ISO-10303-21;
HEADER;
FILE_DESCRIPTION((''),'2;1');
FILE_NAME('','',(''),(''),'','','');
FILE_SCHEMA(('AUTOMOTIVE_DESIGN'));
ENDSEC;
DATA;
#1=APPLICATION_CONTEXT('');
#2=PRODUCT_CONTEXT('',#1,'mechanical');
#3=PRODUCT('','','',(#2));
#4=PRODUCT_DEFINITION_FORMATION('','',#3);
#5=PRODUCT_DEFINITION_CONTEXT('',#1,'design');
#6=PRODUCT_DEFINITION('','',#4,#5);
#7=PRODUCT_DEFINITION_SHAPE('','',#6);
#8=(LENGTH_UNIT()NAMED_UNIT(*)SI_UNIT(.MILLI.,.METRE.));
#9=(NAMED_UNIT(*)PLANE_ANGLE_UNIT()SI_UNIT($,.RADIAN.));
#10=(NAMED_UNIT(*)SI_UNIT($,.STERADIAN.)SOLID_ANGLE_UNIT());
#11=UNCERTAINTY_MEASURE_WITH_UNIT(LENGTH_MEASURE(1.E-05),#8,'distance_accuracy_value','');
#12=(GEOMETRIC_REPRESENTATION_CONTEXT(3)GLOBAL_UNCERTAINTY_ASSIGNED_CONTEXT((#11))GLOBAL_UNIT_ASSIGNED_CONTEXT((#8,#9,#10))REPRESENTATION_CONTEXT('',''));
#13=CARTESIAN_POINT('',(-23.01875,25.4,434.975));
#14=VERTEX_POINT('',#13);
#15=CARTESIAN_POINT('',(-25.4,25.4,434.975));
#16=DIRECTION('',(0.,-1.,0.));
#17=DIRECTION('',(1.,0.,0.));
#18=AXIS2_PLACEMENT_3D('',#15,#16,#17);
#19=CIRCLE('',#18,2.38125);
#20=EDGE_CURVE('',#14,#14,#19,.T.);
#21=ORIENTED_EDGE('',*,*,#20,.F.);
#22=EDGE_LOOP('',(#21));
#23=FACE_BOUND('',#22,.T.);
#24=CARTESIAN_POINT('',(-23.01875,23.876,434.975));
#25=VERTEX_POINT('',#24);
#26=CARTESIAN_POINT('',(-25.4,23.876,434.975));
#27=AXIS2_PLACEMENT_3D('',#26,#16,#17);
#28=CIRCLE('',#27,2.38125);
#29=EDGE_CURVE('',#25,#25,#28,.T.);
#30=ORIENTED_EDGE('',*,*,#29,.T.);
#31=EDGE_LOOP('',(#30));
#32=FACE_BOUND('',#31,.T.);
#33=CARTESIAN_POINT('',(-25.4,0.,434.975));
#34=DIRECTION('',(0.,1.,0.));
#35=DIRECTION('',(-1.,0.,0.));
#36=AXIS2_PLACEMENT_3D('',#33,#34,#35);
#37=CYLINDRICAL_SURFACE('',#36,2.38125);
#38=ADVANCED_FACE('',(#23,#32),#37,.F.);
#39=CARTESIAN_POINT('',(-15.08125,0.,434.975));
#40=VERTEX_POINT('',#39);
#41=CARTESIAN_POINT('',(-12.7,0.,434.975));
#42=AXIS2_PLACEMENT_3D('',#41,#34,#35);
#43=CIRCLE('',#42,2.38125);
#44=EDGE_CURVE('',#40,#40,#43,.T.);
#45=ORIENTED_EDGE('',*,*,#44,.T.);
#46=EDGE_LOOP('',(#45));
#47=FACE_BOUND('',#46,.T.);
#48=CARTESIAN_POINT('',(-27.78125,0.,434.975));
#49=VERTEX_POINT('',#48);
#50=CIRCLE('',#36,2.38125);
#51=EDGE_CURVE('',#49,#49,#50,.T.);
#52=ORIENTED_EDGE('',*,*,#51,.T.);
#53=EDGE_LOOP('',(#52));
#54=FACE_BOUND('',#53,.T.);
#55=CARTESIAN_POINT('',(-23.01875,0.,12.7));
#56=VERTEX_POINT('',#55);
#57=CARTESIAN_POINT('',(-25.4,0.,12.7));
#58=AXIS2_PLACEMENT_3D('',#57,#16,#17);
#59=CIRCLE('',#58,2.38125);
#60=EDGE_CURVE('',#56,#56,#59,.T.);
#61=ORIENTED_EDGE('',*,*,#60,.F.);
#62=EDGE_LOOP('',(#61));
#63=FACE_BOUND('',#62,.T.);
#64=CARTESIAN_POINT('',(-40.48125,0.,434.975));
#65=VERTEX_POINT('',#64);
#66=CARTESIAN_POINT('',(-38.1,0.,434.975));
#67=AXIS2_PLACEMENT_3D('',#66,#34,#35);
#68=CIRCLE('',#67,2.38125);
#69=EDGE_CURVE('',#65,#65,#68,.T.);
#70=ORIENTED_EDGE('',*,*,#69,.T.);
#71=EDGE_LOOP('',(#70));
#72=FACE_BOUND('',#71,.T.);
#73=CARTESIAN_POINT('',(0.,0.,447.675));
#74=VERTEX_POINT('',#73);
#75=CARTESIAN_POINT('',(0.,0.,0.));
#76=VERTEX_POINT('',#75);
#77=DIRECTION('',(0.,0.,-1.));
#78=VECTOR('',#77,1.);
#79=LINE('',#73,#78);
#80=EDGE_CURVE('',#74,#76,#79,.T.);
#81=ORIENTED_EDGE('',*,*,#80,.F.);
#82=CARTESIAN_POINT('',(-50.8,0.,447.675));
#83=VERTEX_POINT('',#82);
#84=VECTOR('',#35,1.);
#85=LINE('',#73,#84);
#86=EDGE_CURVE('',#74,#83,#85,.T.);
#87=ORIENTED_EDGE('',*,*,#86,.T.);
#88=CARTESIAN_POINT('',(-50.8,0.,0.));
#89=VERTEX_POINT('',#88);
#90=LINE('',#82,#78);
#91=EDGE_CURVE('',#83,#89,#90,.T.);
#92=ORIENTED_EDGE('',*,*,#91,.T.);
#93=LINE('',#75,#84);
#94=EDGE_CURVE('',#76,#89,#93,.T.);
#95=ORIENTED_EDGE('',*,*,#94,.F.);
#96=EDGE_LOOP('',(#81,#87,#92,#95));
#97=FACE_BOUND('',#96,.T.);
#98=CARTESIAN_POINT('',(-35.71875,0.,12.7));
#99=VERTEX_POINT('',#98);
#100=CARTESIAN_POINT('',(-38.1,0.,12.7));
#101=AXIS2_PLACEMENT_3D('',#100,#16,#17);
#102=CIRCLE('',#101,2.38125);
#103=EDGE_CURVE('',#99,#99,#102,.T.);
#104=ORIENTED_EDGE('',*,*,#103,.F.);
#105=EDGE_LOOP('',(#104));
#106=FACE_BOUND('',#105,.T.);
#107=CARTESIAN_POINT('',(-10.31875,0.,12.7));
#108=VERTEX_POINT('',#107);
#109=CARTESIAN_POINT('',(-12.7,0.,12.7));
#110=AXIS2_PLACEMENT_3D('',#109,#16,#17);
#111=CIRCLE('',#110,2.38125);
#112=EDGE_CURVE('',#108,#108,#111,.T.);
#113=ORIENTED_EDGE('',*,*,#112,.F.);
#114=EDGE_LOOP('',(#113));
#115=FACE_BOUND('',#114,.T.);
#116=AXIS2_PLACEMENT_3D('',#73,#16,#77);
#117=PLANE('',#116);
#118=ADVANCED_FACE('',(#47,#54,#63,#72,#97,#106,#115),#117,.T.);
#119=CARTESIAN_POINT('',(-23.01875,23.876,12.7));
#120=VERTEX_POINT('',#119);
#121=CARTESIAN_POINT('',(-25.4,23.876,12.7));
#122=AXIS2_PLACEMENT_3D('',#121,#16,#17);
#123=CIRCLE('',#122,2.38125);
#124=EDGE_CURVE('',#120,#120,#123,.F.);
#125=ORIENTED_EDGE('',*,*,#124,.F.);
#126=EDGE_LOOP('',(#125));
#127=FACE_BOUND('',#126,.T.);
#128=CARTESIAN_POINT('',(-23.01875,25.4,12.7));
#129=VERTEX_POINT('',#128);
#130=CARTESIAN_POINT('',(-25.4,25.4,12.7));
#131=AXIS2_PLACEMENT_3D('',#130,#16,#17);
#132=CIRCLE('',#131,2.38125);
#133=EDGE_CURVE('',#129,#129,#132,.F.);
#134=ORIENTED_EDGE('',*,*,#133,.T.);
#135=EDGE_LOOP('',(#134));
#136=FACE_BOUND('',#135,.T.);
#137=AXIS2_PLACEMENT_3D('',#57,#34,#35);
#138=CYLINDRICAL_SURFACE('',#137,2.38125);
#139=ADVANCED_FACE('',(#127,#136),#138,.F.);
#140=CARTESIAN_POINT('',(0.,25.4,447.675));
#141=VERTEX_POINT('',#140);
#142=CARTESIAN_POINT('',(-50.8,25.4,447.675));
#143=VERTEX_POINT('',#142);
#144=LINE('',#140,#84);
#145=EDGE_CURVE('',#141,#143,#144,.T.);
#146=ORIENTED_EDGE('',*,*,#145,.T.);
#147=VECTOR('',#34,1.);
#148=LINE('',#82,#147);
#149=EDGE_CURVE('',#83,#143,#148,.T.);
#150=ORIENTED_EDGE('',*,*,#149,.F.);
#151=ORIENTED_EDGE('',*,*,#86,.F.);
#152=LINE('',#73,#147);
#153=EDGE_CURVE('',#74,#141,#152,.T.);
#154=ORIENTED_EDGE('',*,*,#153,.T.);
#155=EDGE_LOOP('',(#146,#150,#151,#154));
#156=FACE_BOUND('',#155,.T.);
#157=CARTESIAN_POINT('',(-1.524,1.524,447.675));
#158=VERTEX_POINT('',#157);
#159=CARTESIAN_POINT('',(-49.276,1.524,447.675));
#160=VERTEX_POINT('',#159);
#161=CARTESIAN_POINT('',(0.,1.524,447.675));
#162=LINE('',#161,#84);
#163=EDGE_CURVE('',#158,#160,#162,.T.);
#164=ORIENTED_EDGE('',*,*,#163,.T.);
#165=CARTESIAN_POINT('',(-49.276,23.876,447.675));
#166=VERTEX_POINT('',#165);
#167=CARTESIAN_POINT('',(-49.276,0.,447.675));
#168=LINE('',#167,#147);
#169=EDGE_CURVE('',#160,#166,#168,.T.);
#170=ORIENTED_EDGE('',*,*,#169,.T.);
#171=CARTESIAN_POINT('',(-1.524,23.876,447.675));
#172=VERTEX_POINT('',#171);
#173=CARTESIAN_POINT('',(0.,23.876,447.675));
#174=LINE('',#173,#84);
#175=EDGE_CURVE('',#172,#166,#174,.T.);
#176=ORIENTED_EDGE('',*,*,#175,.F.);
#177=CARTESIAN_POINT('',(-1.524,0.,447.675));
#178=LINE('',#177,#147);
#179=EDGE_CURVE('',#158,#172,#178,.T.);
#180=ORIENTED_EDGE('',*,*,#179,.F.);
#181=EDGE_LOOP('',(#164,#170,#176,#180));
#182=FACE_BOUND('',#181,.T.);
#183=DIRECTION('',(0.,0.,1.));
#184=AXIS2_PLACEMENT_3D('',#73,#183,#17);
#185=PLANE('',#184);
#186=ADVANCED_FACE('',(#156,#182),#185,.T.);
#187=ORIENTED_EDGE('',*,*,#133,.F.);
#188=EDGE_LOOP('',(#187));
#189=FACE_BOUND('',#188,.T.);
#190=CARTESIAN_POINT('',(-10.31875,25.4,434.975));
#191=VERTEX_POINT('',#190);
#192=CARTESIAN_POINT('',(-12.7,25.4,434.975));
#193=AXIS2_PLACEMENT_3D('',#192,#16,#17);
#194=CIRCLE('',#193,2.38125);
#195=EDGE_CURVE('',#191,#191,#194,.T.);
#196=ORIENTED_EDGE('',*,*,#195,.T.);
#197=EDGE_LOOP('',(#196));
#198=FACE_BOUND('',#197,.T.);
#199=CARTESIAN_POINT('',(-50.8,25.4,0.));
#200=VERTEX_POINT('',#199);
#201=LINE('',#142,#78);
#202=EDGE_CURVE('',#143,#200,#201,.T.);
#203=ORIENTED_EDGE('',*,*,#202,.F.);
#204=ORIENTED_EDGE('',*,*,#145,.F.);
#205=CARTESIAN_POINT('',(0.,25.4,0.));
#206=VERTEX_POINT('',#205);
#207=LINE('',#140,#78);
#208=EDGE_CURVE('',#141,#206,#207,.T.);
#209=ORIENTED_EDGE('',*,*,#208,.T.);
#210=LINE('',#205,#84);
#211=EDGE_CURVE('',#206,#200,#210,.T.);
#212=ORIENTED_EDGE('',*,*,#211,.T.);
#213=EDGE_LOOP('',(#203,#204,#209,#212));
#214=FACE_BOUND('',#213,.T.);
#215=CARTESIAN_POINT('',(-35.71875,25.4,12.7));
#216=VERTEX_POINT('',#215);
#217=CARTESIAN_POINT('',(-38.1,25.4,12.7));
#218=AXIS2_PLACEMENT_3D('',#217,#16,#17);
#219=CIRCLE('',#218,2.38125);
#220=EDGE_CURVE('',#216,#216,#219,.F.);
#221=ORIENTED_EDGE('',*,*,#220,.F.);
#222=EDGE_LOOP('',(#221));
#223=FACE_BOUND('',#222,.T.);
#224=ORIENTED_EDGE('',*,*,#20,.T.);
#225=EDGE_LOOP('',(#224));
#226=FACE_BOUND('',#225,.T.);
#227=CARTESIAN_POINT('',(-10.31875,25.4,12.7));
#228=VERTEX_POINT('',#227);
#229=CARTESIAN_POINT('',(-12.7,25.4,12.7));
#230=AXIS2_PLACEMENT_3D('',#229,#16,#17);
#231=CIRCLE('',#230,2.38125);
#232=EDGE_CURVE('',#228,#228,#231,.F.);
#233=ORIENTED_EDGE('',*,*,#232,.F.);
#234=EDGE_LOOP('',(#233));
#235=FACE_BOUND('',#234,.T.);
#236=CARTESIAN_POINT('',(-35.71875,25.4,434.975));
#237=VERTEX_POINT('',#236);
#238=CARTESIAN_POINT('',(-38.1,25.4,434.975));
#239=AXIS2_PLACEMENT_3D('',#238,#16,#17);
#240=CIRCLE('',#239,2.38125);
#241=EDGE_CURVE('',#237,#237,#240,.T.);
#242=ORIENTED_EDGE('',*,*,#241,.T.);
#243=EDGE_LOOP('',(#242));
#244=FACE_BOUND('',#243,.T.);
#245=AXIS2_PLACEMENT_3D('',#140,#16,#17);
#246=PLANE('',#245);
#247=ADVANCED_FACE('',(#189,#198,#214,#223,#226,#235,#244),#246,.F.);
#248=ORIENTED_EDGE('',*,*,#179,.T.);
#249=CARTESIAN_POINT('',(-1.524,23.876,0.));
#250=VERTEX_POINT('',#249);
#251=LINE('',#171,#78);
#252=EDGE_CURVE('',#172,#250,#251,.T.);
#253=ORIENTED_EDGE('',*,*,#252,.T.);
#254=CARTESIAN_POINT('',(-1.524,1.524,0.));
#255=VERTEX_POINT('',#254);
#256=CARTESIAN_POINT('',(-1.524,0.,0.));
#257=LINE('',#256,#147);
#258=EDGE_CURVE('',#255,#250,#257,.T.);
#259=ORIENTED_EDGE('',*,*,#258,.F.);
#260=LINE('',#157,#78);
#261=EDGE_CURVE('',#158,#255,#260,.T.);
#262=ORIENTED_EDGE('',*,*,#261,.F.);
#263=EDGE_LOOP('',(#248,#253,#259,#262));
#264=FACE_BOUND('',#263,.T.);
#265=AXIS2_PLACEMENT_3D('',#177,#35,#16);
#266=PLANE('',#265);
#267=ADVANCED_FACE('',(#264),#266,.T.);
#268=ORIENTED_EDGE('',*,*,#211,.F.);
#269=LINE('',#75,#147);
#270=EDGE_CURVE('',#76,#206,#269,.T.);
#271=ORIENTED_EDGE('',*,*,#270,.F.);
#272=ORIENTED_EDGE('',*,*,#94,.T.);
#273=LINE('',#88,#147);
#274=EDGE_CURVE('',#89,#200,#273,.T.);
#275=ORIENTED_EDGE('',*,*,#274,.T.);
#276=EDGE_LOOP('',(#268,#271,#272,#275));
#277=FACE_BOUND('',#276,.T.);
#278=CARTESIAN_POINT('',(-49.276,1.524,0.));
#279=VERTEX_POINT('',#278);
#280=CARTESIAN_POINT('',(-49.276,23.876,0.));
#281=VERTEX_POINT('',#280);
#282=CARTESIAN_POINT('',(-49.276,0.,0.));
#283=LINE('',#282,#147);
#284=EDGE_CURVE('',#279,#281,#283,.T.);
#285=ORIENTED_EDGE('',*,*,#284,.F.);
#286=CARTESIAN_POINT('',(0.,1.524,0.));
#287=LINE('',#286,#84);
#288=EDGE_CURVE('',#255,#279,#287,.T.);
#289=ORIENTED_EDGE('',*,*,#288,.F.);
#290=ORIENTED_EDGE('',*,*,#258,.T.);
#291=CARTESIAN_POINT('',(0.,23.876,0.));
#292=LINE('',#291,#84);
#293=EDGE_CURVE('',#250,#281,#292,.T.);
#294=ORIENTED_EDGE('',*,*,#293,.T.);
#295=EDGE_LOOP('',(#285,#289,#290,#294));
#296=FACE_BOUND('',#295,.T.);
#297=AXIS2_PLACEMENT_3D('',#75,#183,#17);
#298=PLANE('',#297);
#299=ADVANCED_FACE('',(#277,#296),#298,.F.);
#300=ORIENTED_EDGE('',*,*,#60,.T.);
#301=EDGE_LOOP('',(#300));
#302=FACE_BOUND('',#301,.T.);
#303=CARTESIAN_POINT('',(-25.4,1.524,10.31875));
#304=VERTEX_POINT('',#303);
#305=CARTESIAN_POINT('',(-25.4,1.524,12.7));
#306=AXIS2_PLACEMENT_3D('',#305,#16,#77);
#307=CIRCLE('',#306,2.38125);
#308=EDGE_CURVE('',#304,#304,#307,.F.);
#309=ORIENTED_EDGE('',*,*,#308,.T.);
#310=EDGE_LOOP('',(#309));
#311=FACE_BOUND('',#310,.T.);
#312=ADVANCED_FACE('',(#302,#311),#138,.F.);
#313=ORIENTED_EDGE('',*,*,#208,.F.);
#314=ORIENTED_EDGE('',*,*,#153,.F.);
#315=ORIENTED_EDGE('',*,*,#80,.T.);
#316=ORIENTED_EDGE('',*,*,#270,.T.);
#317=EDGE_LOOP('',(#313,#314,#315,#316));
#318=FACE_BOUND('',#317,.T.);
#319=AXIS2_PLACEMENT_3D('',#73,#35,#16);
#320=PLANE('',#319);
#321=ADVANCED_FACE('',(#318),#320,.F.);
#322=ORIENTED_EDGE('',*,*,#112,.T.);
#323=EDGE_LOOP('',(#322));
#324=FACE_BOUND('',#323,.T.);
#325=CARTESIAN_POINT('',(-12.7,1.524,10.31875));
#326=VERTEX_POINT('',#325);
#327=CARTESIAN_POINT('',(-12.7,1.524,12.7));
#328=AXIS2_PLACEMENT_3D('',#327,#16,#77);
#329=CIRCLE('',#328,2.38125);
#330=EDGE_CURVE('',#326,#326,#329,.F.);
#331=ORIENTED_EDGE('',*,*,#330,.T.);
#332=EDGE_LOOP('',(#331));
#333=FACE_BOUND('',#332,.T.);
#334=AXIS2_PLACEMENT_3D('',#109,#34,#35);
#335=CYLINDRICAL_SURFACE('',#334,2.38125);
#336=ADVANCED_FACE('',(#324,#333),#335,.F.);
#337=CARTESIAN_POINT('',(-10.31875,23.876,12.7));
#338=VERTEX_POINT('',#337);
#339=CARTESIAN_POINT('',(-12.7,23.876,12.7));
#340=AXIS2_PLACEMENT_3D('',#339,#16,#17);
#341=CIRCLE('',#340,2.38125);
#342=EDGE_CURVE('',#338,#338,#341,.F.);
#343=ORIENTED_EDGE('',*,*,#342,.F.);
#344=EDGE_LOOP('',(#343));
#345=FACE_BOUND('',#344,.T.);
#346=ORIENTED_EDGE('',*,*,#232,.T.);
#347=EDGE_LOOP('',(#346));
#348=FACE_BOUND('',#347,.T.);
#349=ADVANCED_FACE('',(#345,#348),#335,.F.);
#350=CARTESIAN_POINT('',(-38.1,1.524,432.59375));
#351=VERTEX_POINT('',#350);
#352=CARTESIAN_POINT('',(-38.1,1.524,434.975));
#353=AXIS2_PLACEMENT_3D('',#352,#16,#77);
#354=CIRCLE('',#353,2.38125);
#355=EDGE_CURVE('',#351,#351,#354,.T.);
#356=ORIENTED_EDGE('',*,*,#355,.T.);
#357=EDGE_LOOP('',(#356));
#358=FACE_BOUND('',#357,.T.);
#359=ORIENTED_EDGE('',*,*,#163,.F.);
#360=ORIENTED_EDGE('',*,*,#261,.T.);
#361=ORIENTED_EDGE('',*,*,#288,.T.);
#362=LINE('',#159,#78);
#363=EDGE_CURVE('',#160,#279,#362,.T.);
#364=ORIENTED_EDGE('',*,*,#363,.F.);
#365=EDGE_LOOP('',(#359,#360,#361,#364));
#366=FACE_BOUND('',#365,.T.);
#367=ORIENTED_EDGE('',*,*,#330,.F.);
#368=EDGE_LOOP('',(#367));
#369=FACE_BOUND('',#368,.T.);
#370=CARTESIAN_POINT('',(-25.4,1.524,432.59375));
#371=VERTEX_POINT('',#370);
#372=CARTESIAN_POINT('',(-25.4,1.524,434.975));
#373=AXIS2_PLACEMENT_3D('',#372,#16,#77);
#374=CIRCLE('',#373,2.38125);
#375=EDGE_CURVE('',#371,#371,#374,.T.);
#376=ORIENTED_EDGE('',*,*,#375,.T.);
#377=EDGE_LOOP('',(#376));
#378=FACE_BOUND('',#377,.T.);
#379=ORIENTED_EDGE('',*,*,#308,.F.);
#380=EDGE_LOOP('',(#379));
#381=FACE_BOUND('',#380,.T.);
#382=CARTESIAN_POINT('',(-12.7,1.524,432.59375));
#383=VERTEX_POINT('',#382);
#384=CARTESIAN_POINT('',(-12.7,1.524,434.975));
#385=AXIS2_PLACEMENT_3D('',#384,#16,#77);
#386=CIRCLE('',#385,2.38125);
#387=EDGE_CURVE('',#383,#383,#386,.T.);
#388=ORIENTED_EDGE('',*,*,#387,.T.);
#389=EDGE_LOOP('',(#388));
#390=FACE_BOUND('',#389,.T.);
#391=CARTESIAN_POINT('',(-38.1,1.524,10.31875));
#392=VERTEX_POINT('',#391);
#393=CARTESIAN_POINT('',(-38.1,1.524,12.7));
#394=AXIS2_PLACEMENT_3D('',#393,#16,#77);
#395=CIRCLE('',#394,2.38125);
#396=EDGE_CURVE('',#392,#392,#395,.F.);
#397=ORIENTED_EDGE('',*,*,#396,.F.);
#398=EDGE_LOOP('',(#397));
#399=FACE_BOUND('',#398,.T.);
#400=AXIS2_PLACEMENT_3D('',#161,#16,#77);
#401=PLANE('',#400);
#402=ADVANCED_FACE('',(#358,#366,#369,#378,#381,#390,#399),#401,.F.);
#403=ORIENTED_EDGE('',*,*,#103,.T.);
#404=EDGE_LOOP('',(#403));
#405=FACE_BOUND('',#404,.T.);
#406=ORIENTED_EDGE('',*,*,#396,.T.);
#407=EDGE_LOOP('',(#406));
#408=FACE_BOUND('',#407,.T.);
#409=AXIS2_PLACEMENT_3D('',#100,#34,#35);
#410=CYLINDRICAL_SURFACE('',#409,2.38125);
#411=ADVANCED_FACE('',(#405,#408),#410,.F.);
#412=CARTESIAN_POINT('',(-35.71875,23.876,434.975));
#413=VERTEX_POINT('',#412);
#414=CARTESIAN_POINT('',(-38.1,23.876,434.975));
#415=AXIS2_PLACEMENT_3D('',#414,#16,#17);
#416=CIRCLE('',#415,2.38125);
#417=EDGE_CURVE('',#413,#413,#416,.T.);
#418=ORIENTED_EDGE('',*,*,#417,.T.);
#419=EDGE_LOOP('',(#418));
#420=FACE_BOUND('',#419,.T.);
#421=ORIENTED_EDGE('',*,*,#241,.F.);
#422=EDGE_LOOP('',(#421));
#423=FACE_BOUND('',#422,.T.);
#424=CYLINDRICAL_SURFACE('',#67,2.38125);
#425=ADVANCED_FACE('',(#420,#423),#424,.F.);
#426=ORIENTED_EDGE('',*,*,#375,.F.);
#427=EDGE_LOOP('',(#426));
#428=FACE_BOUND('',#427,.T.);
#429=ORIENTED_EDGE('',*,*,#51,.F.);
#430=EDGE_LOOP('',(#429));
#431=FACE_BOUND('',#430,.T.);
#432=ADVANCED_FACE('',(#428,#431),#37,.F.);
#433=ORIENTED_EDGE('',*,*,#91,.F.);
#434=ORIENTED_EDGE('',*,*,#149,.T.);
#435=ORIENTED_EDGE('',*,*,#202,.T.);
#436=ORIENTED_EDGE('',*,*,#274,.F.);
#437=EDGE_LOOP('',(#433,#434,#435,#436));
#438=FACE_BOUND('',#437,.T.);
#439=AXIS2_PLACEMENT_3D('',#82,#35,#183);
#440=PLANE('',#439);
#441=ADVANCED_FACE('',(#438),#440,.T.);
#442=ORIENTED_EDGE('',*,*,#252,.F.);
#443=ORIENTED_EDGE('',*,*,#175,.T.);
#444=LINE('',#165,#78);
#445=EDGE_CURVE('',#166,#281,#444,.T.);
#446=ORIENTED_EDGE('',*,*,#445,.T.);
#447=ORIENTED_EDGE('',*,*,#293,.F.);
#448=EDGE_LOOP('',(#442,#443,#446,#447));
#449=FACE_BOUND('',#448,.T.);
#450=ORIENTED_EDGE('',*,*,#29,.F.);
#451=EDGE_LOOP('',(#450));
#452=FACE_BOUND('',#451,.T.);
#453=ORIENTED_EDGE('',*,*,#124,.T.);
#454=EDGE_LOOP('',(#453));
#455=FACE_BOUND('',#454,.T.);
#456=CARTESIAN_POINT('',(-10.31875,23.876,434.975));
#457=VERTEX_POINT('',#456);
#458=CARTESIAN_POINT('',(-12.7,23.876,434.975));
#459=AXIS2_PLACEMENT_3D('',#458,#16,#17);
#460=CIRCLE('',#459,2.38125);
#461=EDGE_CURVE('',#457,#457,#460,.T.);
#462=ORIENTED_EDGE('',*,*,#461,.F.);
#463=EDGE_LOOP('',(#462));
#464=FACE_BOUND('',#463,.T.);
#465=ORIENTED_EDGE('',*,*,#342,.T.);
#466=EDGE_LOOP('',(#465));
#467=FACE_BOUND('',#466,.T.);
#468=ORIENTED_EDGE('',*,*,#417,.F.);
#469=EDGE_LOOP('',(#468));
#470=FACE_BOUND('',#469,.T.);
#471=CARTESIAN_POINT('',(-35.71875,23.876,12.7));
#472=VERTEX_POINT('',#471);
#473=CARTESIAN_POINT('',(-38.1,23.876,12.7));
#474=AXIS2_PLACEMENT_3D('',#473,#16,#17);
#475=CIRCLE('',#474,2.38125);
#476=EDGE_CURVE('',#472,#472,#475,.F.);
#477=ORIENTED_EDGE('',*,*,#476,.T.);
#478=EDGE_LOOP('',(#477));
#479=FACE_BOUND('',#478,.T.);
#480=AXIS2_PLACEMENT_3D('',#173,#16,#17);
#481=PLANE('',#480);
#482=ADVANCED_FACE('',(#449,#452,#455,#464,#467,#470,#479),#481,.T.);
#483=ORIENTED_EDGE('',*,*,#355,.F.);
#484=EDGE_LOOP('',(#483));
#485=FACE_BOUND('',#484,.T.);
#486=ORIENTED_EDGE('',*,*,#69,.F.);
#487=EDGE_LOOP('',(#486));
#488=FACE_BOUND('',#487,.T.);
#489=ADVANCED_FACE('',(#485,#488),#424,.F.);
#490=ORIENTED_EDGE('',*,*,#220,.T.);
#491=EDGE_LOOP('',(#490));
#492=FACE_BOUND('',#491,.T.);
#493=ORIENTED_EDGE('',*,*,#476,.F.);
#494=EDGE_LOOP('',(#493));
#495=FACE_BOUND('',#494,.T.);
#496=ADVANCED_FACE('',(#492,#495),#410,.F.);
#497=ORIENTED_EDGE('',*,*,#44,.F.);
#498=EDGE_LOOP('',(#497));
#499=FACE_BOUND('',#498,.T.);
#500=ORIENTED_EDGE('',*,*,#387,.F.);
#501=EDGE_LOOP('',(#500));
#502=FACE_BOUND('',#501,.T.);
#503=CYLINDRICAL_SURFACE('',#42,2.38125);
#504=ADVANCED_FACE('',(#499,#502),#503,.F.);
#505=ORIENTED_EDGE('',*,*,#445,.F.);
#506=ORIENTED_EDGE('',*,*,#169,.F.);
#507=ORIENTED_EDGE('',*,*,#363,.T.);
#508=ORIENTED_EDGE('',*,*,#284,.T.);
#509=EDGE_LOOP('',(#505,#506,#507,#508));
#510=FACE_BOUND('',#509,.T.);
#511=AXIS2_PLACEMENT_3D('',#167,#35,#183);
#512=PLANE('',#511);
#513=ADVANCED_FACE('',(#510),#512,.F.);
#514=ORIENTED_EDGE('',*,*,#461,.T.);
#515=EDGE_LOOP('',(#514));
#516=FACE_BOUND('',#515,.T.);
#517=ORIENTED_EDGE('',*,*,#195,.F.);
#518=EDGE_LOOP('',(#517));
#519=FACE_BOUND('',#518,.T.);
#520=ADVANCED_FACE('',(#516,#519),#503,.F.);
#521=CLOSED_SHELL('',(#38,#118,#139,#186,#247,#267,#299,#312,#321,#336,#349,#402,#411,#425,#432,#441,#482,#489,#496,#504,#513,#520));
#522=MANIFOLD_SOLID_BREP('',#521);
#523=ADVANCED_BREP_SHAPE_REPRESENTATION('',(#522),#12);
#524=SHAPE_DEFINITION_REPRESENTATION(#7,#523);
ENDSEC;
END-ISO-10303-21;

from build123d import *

# Parameters (mm, degrees)
SKETCH1_W               = 50.8
SKETCH1_H               = 25.4
SKETCH1_W_2             = 47.752
SKETCH1_H_2             = 22.352
EXTRUDE_THIN1_DEPTH     = 447.675
CUT_EXTRUDE1_DEPTH      = 452.263454786
CUT_EXTRUDE1_DEPTH_BACK = 452.263454786
SKETCH2_R               = 2.38125


with BuildPart() as part:
    # Sketch1 → Extrude-Thin1 (new body)
    with BuildSketch(Plane.XY):
        with Locations((-25.4, 12.7)):
            Rectangle(SKETCH1_W, SKETCH1_H)
        with Locations((-25.4, 12.7)):
            Rectangle(SKETCH1_W_2, SKETCH1_H_2, mode=Mode.SUBTRACT)
    extrude(amount=EXTRUDE_THIN1_DEPTH)

    # Sketch2 → Cut-Extrude1 (cut, two sides: drawn at the far end of the back side and taken through both)
    with BuildSketch(Plane(origin=(0, 25.4, 0), x_dir=(1, 0, 0), z_dir=(0, 1, 0)).offset(-CUT_EXTRUDE1_DEPTH_BACK)):
        with Locations(Location((-38.1, -434.975, 0), (0, 0, 180))):
            Circle(SKETCH2_R)
        with Locations(Location((-25.4, -434.975, 0), (0, 0, 180))):
            Circle(SKETCH2_R)
        with Locations(Location((-12.7, -434.975, 0), (0, 0, 180))):
            Circle(SKETCH2_R)
        with Locations(Location((-38.1, -12.7, 0), (0, 0, 90))):
            Circle(SKETCH2_R)
        with Locations(Location((-12.7, -12.7, 0), (0, 0, 90))):
            Circle(SKETCH2_R)
        with Locations(Location((-25.4, -12.7, 0), (0, 0, 90))):
            Circle(SKETCH2_R)
    extrude(amount=CUT_EXTRUDE1_DEPTH + CUT_EXTRUDE1_DEPTH_BACK, mode=Mode.SUBTRACT)


solid = part.part
